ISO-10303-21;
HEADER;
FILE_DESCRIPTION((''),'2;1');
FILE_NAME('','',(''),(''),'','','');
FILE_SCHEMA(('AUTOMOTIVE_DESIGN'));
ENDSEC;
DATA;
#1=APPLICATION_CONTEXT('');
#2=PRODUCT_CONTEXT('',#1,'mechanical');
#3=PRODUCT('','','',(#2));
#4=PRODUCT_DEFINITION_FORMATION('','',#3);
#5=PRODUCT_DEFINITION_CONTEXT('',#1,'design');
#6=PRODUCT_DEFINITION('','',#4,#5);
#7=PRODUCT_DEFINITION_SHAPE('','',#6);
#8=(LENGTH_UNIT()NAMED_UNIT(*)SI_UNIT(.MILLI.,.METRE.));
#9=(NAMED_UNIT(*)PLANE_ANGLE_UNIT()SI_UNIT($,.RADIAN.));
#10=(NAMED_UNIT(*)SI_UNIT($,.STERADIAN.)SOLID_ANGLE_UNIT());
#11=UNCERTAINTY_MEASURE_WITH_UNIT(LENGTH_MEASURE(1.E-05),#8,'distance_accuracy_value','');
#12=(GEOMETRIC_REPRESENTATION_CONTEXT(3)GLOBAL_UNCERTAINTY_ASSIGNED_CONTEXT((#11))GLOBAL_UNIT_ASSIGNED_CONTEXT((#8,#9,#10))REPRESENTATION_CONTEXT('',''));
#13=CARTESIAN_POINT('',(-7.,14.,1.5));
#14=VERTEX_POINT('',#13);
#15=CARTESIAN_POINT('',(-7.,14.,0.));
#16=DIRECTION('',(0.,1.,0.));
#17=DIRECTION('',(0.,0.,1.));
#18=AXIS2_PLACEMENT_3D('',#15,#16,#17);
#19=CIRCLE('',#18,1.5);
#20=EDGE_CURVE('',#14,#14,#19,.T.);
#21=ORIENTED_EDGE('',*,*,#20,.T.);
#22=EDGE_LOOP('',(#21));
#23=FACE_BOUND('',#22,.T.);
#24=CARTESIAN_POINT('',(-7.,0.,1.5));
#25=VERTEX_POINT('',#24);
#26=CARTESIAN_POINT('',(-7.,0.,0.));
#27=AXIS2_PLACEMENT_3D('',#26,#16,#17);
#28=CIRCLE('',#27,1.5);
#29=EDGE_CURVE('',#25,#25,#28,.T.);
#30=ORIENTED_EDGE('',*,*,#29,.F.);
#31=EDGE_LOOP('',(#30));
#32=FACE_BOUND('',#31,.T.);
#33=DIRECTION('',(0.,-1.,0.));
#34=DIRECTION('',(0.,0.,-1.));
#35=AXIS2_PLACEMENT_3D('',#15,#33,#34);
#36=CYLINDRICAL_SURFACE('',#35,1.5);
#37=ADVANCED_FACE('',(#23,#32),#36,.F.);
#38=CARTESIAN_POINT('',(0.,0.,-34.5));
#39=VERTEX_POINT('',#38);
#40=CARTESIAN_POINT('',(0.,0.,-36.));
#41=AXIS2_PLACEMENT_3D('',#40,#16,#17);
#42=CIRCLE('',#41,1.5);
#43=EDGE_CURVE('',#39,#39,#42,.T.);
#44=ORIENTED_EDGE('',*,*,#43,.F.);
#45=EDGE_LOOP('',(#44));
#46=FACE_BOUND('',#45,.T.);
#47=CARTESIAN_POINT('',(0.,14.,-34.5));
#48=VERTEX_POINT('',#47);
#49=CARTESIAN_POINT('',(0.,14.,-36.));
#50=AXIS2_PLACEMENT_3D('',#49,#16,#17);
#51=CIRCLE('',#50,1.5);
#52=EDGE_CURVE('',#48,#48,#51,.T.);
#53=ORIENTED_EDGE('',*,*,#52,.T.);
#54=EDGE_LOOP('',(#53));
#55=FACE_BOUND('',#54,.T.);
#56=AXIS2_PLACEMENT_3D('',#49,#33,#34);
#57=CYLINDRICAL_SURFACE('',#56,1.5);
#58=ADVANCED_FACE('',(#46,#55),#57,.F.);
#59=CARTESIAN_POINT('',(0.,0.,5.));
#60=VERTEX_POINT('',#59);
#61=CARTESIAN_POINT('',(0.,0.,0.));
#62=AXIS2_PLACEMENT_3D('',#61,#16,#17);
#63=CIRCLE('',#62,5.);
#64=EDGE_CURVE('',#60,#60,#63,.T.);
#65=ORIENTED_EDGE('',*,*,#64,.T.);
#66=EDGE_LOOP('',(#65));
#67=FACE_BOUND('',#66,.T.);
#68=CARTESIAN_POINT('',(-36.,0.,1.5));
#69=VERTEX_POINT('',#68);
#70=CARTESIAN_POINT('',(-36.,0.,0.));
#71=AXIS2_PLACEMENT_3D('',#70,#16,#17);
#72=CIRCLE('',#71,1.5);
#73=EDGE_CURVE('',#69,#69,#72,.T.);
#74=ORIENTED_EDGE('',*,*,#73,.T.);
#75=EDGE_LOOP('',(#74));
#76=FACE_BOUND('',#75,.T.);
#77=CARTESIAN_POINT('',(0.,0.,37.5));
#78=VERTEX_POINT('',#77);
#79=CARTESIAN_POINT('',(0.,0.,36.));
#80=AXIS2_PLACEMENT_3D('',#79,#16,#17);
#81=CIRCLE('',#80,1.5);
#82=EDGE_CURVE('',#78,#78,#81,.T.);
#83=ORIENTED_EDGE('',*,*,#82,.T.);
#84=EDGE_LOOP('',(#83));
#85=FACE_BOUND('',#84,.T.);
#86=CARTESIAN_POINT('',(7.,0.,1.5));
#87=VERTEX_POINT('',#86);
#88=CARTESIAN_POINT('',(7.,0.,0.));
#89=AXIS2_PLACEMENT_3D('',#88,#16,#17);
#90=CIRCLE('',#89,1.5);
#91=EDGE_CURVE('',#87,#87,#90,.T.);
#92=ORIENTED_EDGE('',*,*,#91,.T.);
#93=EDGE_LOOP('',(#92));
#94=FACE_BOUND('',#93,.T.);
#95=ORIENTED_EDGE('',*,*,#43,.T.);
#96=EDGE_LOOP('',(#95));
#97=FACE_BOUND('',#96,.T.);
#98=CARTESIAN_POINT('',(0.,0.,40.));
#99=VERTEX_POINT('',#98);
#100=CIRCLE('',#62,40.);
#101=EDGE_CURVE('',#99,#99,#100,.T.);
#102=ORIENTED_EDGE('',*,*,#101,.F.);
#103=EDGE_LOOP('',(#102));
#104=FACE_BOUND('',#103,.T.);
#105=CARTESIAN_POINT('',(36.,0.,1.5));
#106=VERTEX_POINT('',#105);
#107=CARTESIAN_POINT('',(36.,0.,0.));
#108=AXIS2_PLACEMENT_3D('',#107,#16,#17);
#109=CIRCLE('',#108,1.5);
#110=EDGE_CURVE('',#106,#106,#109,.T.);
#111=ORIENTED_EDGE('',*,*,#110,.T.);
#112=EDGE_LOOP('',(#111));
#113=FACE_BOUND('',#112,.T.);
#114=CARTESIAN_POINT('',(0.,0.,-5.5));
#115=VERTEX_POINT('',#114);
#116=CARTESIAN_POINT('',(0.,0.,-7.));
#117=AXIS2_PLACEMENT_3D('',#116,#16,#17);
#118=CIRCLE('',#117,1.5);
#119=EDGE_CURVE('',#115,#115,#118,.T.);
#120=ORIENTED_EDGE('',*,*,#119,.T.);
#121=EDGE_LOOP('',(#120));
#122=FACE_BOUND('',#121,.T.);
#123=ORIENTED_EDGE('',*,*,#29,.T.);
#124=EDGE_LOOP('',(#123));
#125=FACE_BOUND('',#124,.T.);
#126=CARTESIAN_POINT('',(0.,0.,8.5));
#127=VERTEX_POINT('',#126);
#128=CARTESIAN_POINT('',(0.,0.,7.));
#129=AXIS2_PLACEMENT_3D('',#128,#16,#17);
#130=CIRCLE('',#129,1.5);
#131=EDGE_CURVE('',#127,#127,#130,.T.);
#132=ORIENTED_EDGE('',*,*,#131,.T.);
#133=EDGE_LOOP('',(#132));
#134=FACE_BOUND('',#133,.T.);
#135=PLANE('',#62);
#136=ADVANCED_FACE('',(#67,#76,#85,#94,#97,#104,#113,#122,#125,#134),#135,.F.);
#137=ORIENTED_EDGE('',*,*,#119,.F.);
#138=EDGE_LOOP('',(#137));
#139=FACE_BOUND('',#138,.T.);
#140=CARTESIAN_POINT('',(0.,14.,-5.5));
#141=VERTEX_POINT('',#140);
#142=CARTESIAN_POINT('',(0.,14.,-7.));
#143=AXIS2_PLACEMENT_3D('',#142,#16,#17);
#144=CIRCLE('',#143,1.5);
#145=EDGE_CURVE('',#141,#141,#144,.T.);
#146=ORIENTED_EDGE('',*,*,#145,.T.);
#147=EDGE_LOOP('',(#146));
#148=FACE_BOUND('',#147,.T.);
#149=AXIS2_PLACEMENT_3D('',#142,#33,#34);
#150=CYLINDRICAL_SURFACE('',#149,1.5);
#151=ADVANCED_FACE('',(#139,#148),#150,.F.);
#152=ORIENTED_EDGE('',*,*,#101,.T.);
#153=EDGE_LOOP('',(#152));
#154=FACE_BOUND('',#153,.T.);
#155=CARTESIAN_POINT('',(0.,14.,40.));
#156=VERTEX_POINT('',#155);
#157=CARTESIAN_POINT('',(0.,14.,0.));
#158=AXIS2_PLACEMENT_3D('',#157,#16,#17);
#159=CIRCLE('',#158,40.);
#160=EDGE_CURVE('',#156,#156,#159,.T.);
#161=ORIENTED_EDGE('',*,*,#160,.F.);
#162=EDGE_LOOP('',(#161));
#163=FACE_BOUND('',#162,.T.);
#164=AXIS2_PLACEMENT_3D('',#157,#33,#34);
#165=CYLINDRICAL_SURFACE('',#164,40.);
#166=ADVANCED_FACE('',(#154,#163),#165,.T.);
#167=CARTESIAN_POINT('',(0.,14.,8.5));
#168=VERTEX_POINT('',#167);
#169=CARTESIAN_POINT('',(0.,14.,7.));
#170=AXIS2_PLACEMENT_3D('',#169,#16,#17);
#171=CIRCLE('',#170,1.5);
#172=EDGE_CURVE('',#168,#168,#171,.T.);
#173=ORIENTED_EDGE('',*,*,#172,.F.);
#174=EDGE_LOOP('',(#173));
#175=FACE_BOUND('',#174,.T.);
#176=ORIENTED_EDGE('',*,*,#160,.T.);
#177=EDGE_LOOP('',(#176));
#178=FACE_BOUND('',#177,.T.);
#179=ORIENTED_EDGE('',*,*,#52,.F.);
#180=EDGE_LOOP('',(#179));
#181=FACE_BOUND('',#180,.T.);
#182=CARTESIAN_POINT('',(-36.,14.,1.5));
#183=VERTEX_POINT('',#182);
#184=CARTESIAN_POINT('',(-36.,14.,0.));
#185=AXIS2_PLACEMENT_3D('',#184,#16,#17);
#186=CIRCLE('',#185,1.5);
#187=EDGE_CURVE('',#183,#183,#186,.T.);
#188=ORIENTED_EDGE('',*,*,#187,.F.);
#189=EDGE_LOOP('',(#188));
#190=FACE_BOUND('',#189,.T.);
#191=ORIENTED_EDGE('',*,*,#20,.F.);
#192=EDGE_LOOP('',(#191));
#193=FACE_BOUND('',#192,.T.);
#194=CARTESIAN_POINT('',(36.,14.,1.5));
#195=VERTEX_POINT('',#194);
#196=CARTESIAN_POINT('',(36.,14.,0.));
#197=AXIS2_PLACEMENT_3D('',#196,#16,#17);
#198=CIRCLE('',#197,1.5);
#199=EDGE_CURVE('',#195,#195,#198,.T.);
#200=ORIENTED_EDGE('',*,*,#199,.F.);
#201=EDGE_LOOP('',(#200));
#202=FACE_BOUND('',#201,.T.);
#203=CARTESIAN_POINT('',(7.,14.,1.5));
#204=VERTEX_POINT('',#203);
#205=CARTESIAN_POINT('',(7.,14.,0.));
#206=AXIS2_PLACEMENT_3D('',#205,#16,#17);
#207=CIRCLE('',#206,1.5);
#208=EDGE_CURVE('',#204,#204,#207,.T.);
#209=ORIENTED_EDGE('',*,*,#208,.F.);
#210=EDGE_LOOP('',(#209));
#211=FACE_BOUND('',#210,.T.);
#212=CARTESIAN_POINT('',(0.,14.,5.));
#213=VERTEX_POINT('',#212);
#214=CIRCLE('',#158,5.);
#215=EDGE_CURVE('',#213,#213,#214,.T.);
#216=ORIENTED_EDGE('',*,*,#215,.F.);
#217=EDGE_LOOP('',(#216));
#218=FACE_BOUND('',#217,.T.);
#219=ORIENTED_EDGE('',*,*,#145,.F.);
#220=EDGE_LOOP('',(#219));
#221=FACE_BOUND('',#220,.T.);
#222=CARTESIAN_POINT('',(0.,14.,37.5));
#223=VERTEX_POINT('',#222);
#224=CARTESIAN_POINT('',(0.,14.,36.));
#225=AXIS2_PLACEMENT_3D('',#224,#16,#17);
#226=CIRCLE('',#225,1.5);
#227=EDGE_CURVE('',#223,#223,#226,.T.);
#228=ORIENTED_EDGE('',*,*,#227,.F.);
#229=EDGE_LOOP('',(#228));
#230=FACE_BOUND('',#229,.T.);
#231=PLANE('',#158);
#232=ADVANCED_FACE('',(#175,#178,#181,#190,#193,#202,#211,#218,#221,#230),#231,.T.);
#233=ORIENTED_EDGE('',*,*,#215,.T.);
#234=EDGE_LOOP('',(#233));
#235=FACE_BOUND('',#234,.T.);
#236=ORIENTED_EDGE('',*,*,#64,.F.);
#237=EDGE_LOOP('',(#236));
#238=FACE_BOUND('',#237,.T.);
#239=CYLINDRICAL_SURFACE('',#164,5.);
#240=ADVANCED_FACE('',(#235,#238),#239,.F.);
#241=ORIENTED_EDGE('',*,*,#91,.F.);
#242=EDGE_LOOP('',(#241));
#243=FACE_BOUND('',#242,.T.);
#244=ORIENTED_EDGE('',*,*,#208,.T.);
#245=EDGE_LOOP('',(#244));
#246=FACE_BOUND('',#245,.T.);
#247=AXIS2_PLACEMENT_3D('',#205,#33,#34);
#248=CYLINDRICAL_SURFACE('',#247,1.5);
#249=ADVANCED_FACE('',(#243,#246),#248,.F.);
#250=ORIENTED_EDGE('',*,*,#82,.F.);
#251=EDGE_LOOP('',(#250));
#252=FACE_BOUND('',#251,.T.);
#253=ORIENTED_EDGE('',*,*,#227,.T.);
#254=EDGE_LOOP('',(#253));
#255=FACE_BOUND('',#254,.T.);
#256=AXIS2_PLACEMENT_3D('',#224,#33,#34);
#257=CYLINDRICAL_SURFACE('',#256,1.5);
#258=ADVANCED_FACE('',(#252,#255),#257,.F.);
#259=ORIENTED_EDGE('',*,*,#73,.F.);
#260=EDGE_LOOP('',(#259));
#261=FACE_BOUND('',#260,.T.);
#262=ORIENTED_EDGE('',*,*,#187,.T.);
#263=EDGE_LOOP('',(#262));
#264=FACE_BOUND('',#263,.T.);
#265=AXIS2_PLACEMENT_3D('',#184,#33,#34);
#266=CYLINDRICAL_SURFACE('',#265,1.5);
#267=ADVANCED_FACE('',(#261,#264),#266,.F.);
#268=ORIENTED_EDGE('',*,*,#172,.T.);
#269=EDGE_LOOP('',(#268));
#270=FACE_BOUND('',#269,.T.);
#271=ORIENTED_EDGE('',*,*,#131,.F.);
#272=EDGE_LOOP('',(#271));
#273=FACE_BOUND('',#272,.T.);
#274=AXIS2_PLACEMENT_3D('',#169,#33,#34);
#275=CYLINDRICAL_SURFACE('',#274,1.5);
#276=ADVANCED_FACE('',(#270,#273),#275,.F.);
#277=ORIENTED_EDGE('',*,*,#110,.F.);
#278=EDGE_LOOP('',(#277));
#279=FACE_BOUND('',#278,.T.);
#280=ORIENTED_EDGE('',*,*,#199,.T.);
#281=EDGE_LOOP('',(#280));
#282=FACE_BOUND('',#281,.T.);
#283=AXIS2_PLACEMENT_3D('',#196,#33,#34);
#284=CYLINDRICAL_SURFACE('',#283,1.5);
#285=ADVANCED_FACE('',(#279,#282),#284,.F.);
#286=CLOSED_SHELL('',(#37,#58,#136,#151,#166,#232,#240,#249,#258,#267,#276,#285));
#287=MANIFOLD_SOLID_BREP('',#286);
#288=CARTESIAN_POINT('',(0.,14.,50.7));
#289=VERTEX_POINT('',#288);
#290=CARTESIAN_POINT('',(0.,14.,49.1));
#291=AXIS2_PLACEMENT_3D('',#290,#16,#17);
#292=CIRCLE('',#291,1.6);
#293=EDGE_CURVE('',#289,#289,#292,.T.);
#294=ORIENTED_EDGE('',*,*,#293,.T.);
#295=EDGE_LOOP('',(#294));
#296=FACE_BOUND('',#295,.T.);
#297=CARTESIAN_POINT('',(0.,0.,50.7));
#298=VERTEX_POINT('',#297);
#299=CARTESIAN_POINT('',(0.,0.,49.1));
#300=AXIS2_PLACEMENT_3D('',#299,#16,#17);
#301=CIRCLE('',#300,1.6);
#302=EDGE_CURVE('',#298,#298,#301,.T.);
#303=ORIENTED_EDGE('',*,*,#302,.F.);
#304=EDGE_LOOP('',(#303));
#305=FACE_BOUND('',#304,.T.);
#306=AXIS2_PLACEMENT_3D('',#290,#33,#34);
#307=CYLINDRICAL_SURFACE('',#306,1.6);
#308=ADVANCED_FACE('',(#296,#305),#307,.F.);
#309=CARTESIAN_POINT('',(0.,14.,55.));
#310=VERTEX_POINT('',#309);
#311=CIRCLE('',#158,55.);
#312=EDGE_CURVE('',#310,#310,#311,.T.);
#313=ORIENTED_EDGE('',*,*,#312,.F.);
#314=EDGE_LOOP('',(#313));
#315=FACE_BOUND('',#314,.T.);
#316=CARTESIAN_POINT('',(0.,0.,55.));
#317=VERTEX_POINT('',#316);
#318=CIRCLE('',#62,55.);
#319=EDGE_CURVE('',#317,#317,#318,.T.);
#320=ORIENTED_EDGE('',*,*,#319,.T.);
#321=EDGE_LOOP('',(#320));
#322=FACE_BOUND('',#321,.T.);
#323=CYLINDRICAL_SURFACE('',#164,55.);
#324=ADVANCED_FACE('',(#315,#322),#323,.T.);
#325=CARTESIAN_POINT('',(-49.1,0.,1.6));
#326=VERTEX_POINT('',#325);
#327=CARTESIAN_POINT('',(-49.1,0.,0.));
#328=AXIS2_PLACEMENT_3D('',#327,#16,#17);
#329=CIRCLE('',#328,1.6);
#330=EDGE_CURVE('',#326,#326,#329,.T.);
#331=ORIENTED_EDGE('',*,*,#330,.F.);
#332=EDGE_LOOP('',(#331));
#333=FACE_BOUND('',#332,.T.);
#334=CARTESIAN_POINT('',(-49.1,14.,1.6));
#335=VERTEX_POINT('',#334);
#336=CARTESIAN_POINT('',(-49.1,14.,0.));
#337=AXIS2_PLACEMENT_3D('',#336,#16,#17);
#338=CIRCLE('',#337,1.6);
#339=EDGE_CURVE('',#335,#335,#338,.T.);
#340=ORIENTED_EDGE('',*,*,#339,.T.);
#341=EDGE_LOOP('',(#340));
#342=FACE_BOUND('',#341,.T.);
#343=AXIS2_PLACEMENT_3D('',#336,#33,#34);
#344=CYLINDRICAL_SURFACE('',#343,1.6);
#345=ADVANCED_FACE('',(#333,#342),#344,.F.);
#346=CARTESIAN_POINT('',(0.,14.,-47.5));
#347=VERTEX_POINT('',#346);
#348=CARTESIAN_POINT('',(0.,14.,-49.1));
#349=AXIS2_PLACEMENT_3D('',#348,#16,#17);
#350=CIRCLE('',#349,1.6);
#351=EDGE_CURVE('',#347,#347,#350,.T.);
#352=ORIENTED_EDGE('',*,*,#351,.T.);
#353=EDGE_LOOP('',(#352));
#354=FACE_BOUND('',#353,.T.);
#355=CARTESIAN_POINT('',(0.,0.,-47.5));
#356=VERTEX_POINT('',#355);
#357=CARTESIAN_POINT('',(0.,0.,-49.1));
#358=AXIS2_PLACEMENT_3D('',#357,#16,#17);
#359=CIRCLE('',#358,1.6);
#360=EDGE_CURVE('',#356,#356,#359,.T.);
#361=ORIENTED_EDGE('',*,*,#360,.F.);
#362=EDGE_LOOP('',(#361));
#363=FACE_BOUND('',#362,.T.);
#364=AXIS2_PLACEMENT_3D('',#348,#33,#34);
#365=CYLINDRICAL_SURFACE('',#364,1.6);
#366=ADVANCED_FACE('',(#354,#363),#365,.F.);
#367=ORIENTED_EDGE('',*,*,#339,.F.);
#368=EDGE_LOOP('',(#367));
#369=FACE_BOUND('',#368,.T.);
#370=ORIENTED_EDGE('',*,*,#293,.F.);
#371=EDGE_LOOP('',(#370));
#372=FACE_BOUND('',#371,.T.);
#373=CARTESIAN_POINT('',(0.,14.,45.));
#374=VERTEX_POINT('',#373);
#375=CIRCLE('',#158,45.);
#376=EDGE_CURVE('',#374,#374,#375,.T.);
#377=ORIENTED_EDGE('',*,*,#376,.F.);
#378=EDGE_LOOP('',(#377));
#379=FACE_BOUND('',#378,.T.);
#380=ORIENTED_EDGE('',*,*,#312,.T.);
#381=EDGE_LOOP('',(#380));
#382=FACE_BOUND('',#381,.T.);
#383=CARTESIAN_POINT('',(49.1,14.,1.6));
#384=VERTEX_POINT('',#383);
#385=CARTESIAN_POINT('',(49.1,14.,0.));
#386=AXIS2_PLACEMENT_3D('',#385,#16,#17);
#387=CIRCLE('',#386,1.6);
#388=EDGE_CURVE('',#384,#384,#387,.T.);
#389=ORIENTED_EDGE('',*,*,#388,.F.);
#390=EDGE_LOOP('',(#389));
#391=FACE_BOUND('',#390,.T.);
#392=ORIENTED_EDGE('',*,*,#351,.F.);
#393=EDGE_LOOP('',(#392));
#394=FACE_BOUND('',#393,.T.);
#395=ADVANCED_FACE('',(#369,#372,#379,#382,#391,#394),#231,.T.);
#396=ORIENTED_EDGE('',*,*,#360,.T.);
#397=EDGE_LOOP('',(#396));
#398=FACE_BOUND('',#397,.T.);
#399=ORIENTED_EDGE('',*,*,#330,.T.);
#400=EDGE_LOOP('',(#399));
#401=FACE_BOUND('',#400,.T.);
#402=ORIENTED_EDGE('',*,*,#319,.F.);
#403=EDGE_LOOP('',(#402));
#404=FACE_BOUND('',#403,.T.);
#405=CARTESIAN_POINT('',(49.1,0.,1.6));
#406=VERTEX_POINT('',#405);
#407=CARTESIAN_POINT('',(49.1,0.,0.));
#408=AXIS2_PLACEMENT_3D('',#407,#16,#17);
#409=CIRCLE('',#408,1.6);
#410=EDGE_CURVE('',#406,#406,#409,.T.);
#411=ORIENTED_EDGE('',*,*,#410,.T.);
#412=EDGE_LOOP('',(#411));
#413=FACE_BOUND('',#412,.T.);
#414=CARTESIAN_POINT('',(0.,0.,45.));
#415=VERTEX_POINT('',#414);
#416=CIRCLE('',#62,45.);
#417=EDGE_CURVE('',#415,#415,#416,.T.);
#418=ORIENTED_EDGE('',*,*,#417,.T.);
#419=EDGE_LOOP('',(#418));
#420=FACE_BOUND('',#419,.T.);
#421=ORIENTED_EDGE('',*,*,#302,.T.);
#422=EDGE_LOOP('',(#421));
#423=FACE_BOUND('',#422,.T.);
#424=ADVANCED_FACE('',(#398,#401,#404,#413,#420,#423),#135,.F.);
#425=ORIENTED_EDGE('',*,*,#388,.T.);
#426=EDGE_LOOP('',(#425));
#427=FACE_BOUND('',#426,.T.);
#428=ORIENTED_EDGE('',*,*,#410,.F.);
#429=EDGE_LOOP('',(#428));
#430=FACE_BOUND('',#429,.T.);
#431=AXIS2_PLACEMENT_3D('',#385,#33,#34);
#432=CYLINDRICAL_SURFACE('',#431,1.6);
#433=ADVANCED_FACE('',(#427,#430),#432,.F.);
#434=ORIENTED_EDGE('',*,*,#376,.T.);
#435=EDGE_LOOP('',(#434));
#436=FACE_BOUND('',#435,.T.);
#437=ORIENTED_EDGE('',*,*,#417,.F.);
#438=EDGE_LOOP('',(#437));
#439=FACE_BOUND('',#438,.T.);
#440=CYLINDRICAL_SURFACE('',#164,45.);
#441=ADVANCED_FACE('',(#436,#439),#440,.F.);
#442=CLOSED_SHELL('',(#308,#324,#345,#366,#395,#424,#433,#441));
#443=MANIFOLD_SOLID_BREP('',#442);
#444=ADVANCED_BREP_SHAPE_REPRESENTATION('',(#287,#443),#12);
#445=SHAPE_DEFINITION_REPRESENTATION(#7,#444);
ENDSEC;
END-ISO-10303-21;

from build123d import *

# Parameters (mm, degrees)
SKETCH_1_R        = 55
SKETCH_1_R_2      = 1.6
SKETCH_1_R_3      = 45
EXTRUDE_9_DEPTH   = 14
SKETCH_1_R_4      = 40
SKETCH_1_R_5      = 1.5
SKETCH_1_R_6      = 5
EXTRUDE_9_2_DEPTH = 14


with BuildPart() as part:
    # 草图1 → 凸台-拉伸9 (new body)
    with BuildSketch(Plane(origin=(0, 0, 0), x_dir=(1, 0, 0), z_dir=(0, 1, 0))):
        with Locations(Location((0, 0, 0), (0, 0, 270))):
            Circle(SKETCH_1_R)
        with Locations(Location((0, -49.1, 0), (0, 0, 270))):
            Circle(SKETCH_1_R_2, mode=Mode.SUBTRACT)
        with Locations(Location((0, 49.1, 0), (0, 0, 270))):
            Circle(SKETCH_1_R_2, mode=Mode.SUBTRACT)
        with Locations(Location((49.1, 0, 0), (0, 0, 270))):
            Circle(SKETCH_1_R_2, mode=Mode.SUBTRACT)
        with Locations(Location((-49.1, 0, 0), (0, 0, 270))):
            Circle(SKETCH_1_R_2, mode=Mode.SUBTRACT)
        with Locations(Location((0, 0, 0), (0, 0, 270))):
            Circle(SKETCH_1_R_3, mode=Mode.SUBTRACT)
    extrude(amount=EXTRUDE_9_DEPTH)


with BuildPart() as body_2:
    # 草图1 → Extrude 9 2 (new body)
    with BuildSketch(Plane(origin=(0, 0, 0), x_dir=(1, 0, 0), z_dir=(0, 1, 0))):
        with Locations(Location((0, 0, 0), (0, 0, 270))):
            Circle(SKETCH_1_R_4)
        with Locations(Location((0, -36, 0), (0, 0, 270))):
            Circle(SKETCH_1_R_5, mode=Mode.SUBTRACT)
        with Locations(Location((0, 36, 0), (0, 0, 270))):
            Circle(SKETCH_1_R_5, mode=Mode.SUBTRACT)
        with Locations(Location((36, 0, 0), (0, 0, 270))):
            Circle(SKETCH_1_R_5, mode=Mode.SUBTRACT)
        with Locations(Location((-36, 0, 0), (0, 0, 270))):
            Circle(SKETCH_1_R_5, mode=Mode.SUBTRACT)
        with Locations(Location((0, -7, 0), (0, 0, 270))):
            Circle(SKETCH_1_R_5, mode=Mode.SUBTRACT)
        with Locations(Location((-7, 0, 0), (0, 0, 270))):
            Circle(SKETCH_1_R_5, mode=Mode.SUBTRACT)
        with Locations(Location((0, 7, 0), (0, 0, 270))):
            Circle(SKETCH_1_R_5, mode=Mode.SUBTRACT)
        with Locations(Location((7, 0, 0), (0, 0, 270))):
            Circle(SKETCH_1_R_5, mode=Mode.SUBTRACT)
        with Locations(Location((0, 0, 0), (0, 0, 270))):
            Circle(SKETCH_1_R_6, mode=Mode.SUBTRACT)
    extrude(amount=EXTRUDE_9_2_DEPTH)


solid = Compound([part.part, body_2.part])
